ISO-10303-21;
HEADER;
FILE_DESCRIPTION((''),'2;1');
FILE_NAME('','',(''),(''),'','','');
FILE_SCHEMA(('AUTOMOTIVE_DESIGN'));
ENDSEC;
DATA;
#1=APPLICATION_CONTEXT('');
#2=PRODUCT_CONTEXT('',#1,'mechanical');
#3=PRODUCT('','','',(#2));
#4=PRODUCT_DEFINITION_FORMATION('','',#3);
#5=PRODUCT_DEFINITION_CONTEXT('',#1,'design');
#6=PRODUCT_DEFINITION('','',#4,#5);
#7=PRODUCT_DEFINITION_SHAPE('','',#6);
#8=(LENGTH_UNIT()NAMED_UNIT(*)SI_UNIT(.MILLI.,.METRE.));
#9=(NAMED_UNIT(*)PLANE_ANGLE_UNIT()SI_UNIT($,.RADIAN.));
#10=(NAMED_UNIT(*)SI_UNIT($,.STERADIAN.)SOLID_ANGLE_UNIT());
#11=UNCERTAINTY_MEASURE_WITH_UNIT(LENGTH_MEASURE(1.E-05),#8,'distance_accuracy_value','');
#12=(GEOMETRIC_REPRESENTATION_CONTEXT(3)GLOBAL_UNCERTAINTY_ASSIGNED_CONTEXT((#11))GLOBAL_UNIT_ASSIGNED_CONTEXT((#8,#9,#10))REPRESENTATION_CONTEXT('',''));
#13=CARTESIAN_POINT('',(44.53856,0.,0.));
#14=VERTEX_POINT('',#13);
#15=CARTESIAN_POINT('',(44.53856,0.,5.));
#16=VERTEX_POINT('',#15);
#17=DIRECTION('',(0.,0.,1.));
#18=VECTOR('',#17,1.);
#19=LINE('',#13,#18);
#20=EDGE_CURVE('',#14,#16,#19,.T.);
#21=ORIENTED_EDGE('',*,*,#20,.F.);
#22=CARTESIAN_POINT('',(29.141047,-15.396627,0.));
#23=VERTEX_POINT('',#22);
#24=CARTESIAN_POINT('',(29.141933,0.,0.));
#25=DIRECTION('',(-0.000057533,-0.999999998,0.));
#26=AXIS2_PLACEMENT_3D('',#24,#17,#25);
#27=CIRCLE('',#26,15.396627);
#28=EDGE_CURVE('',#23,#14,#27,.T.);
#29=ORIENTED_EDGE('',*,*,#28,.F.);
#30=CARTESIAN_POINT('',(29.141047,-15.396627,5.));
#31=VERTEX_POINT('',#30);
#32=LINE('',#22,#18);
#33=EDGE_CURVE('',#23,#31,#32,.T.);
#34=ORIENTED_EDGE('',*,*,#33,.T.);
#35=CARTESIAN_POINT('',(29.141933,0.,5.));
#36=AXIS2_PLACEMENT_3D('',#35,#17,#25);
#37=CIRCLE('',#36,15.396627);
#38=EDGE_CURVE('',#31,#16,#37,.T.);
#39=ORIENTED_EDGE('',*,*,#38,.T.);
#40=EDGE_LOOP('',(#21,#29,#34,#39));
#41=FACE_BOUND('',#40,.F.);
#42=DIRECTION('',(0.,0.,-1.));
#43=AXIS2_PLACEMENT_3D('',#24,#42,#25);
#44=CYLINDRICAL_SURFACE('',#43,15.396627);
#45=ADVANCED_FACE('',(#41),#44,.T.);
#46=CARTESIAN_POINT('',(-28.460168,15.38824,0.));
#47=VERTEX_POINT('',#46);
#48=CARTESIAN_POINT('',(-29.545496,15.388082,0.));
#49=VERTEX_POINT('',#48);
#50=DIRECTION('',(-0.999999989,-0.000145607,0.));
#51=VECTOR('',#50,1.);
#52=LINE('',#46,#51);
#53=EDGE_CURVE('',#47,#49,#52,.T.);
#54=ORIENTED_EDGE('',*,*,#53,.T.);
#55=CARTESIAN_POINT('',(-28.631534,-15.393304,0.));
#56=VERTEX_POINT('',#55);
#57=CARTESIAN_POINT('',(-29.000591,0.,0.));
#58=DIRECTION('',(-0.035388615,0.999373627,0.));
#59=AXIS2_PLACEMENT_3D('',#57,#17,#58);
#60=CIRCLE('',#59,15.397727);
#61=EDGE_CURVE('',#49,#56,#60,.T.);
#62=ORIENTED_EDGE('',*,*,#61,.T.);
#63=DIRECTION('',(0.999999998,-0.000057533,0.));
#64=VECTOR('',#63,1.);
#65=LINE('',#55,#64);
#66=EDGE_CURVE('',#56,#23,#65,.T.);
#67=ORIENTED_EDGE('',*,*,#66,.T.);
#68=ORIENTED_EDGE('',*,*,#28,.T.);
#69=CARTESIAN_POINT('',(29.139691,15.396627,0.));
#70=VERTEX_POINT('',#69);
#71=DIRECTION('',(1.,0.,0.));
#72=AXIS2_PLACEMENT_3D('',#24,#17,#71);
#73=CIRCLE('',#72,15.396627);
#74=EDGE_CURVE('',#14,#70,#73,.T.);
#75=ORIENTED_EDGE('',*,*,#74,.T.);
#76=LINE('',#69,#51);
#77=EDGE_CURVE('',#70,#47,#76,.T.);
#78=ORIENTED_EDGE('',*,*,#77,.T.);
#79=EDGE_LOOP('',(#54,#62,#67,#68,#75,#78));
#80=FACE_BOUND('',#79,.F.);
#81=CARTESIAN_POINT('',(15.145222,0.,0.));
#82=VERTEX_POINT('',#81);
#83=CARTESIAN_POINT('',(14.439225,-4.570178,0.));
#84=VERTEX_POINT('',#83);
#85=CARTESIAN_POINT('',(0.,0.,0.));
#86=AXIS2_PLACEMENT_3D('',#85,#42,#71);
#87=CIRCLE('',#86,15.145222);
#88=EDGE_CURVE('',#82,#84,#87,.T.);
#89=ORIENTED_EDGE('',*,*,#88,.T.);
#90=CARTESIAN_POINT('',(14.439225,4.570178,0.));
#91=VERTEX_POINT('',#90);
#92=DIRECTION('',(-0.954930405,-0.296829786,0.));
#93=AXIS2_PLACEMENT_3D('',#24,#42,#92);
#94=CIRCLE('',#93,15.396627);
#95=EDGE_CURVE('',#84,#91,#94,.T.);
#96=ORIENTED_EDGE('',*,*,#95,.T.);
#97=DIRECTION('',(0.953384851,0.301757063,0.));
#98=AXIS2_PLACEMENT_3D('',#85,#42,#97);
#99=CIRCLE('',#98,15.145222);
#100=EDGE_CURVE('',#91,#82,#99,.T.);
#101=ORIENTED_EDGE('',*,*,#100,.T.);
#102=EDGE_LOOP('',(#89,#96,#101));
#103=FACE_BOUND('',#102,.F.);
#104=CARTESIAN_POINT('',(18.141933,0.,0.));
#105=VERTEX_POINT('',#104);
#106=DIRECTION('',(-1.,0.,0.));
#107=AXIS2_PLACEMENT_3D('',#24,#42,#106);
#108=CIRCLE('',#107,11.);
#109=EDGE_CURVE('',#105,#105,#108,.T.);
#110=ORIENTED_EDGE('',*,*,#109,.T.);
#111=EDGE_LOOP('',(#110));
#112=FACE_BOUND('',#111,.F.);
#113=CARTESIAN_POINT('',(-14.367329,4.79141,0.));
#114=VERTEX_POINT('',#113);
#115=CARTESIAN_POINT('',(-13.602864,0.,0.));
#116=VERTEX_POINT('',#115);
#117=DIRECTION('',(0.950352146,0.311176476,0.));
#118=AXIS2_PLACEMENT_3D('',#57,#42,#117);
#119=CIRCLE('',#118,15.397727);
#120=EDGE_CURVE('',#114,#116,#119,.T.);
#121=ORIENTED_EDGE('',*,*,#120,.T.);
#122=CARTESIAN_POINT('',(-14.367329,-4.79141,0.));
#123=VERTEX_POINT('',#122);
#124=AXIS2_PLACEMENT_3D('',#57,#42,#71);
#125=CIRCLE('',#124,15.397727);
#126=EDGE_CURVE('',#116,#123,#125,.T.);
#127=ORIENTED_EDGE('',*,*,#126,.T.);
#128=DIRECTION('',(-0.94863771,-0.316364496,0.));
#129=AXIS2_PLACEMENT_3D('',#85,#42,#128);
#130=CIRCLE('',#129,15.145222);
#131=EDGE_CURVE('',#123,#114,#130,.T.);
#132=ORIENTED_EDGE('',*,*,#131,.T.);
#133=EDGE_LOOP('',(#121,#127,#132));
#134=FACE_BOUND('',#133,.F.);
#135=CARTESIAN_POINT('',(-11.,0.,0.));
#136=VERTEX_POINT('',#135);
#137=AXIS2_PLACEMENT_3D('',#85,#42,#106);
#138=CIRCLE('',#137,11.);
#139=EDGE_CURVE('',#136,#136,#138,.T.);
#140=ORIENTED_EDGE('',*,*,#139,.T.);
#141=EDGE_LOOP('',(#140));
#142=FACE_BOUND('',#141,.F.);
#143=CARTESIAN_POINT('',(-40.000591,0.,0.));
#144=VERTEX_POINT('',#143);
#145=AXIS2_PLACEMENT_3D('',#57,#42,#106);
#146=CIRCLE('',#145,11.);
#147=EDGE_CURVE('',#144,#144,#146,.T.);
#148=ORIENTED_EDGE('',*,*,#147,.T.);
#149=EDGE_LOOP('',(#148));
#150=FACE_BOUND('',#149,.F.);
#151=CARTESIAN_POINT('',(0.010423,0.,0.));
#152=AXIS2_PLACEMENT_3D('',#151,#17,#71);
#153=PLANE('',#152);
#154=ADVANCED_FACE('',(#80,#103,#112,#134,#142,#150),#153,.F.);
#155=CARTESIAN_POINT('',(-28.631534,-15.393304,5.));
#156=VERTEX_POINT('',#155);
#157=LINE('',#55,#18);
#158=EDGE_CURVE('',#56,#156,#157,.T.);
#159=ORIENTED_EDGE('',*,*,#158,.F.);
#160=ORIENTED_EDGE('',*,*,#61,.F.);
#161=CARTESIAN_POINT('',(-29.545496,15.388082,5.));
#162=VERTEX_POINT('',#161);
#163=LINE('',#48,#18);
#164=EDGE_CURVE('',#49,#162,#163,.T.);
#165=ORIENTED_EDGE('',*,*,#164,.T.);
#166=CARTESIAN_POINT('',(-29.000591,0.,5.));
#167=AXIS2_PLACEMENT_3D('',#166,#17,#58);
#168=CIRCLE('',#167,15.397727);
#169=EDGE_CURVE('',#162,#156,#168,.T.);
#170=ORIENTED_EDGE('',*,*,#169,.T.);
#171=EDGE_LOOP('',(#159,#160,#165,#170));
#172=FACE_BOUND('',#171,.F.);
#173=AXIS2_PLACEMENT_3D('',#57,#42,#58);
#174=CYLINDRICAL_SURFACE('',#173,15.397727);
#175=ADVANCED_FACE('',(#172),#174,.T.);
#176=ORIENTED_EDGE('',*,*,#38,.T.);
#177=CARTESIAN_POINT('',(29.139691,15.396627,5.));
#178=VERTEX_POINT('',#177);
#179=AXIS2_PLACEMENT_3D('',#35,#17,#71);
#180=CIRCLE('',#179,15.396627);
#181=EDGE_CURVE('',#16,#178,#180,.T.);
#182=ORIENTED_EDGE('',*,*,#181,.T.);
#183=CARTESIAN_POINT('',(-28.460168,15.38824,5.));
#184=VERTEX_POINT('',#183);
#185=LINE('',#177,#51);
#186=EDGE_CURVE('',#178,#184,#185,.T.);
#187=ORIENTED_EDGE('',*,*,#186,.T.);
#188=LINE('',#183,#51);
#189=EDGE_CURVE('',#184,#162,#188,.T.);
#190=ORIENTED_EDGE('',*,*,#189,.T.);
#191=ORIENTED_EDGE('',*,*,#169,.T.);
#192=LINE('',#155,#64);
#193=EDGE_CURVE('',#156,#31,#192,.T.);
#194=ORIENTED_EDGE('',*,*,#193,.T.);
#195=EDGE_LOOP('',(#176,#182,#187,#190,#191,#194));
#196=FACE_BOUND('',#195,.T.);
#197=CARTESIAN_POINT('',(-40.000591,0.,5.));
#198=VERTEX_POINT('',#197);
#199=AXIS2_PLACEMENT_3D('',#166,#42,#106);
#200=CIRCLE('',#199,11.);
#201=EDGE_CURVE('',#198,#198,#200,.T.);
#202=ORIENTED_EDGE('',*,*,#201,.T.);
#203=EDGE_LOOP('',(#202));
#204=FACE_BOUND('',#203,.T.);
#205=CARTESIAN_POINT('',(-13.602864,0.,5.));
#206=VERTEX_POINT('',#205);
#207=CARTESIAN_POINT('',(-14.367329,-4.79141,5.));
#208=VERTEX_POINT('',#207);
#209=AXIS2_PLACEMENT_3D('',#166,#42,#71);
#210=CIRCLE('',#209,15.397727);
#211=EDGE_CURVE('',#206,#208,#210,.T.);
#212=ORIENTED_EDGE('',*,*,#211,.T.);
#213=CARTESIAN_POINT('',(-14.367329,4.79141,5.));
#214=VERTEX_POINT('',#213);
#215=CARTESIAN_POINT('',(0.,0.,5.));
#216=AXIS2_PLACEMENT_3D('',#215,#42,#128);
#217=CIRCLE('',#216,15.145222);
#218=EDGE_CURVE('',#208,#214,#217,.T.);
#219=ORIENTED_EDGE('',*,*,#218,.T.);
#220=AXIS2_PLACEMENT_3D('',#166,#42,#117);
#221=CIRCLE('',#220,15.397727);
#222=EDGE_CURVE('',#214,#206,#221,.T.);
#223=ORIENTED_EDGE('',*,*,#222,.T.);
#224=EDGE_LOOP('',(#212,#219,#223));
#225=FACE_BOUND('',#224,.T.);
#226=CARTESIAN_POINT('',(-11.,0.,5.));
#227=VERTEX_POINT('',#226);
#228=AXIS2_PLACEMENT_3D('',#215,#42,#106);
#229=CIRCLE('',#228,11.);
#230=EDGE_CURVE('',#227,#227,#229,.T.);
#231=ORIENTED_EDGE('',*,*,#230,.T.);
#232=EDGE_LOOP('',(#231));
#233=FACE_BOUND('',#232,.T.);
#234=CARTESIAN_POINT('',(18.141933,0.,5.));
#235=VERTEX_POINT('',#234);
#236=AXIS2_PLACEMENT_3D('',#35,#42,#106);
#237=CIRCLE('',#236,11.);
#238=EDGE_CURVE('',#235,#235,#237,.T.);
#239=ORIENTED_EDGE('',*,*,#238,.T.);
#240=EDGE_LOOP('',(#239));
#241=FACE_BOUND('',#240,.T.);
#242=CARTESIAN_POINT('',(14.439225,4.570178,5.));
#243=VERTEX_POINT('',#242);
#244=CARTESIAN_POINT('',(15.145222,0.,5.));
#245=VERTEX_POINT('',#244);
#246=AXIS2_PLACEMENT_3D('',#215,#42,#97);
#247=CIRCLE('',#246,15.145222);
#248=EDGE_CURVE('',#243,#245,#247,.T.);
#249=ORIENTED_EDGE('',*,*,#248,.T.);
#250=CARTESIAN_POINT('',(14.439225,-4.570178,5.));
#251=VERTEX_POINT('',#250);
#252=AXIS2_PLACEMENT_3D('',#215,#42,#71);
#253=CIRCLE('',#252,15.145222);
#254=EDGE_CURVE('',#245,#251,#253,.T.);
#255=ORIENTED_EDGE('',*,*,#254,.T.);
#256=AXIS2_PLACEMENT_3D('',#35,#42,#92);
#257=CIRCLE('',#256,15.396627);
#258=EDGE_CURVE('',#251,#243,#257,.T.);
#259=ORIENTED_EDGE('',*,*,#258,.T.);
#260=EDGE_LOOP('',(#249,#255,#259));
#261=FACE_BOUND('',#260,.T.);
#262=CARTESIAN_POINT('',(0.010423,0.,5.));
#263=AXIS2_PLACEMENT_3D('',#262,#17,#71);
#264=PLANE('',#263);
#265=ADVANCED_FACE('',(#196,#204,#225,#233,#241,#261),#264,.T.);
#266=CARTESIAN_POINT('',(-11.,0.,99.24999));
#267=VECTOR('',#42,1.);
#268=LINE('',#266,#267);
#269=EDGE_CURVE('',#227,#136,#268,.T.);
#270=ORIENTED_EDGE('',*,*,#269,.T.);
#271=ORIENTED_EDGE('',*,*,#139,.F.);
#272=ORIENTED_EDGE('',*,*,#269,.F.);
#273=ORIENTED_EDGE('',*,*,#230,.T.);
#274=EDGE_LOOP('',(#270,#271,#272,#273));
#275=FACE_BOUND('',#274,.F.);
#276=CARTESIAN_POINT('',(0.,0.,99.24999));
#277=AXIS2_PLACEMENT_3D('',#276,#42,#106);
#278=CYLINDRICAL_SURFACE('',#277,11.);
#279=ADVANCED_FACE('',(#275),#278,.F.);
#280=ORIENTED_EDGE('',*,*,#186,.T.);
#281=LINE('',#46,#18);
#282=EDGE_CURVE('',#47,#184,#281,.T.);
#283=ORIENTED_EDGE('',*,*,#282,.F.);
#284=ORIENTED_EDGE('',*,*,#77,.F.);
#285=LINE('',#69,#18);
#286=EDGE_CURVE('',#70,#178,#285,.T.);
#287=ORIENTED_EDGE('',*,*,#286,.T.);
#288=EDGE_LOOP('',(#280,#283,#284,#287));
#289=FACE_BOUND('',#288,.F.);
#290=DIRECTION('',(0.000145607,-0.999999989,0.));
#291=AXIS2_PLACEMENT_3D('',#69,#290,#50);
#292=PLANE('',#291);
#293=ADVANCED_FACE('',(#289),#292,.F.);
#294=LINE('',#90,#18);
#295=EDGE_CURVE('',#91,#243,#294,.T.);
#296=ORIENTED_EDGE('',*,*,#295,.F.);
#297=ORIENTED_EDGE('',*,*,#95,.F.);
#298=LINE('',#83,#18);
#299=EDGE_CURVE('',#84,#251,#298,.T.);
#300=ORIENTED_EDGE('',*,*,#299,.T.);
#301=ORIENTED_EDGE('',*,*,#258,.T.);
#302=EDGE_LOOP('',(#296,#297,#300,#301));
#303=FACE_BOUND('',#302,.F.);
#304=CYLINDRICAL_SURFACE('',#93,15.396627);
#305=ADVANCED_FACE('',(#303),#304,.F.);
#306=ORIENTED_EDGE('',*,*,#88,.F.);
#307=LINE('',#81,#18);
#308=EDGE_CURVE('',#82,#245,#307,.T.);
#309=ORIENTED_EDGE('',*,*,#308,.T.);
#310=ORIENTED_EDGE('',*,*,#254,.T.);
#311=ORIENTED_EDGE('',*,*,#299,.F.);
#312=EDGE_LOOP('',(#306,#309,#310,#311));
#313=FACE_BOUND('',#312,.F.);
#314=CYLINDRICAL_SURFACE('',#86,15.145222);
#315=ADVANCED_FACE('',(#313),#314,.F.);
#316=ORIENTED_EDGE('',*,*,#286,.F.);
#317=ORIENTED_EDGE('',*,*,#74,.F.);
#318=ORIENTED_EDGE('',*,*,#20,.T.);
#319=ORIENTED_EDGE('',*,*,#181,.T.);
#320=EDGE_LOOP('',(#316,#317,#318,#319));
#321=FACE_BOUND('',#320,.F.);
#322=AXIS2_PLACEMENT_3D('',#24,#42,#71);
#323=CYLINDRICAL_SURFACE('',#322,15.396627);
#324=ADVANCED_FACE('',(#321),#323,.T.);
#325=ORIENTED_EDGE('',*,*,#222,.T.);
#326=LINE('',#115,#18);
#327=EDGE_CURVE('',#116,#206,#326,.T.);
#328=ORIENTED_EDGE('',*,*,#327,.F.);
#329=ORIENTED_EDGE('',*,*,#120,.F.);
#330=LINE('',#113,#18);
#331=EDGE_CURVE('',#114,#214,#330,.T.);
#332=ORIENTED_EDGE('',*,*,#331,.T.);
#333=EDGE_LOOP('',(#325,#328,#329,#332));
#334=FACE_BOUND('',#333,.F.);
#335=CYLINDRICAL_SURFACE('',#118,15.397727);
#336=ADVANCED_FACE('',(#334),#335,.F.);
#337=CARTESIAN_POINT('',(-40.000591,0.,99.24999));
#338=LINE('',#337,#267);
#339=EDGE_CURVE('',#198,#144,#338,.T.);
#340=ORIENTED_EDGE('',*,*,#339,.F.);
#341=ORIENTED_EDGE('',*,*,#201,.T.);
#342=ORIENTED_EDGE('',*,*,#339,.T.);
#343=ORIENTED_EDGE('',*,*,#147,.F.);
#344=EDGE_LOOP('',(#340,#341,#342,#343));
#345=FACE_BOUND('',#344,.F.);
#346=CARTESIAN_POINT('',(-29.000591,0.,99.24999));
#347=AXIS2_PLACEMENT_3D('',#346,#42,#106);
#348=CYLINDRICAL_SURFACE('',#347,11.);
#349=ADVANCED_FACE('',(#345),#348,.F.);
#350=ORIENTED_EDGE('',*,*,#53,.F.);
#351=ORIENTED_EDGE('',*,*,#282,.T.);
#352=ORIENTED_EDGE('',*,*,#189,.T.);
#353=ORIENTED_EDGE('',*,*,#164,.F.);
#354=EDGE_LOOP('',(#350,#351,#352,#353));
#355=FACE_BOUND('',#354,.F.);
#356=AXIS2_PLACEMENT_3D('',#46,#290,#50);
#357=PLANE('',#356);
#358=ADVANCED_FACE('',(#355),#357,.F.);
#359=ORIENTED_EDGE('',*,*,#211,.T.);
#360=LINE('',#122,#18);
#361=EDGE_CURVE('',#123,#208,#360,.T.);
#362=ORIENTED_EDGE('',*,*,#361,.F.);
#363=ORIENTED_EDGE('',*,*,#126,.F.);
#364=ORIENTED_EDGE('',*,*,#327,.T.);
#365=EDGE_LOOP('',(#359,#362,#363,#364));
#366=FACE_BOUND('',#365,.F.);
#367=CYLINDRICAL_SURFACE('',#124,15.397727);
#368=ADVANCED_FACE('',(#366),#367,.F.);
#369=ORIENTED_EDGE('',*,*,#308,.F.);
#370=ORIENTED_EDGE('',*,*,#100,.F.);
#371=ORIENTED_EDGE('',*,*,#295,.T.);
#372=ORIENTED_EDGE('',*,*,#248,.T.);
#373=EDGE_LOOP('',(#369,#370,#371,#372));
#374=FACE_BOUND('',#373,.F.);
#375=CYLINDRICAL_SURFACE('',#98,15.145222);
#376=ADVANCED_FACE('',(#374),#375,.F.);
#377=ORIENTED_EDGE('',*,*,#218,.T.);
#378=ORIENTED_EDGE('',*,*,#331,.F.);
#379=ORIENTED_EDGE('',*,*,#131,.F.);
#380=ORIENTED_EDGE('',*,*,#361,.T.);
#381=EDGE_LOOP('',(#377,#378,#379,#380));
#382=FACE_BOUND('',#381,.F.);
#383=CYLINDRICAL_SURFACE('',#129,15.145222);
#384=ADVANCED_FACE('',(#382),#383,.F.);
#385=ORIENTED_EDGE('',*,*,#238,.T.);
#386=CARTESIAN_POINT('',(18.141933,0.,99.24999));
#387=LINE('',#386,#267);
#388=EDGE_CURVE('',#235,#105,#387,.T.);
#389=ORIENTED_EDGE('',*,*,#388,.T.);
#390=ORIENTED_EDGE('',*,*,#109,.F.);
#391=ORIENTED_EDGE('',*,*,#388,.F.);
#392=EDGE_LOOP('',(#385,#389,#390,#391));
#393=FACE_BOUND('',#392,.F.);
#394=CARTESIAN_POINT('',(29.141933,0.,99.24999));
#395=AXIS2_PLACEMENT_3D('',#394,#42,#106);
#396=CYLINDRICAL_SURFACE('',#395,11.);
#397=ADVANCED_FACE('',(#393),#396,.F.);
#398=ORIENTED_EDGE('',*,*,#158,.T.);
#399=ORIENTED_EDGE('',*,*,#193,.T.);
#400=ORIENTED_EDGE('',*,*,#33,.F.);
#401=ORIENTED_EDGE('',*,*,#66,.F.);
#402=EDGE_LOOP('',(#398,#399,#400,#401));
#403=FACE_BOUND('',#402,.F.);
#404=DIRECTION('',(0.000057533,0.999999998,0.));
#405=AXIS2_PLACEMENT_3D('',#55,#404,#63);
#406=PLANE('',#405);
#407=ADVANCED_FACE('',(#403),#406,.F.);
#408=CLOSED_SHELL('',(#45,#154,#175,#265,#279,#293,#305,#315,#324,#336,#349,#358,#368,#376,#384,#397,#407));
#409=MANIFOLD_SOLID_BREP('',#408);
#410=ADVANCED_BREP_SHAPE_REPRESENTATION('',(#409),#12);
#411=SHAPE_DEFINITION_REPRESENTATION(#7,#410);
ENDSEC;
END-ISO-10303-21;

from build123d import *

# Parameters (mm, degrees)
F1_DEPTH = 5
F3_D     = 22
F5_D     = 22
F7_D     = 22


with BuildPart() as f1:
    # F0 (on Top) → F1 (new body)
    with BuildSketch(Plane.XY):
        with BuildLine():
            ThreePointArc((14.439225008, -4.5701776484), (13.7453052389, 0), (14.439225008, 4.5701776484))
            ThreePointArc((14.4392250081, 4.5701776484), (0.116311071, 15.1447751487), (-14.3673285073, 4.7914104535))
            ThreePointArc((-14.3673285073, 4.7914104535), (-13.7951814402, 2.4260059517), (-13.602864396, 0))
            ThreePointArc((-13.602864396, 0), (-13.7951814402, -2.4260059517), (-14.3673285073, -4.7914104535))
            ThreePointArc((-14.3673285073, -4.7914104535), (0.116311071, -15.1447751487), (14.4392250081, -4.5701776484))
        make_face()
        with BuildLine():
            ThreePointArc((-14.3673285073, -4.7914104535), (-15.1452217736, 0), (-14.3673285073, 4.7914104535))
            ThreePointArc((-14.3673285073, 4.7914104535), (-19.7467605123, 12.306770976), (-28.4601684953, 15.3882403981))
            Line((-28.4601684953, 15.3882403981), (-29.545495717, 15.3880823672))
            ThreePointArc((-29.545495717, 15.3880823672), (-44.3915356245, -0.4569880798), (-28.6315344711, -15.3933036246))
            ThreePointArc((-28.6315344711, -15.3933036246), (-19.8154166919, -12.3580970844), (-14.3673285073, -4.7914104535))
        make_face()
        with BuildLine():
            ThreePointArc((29.1410469099, -15.3966274615), (20.0122054796, -12.3977505372), (14.439225008, -4.5701776484))
            ThreePointArc((14.4392250081, -4.5701776484), (0.116311071, -15.1447751487), (-14.3673285073, -4.7914104535))
            ThreePointArc((-14.3673285073, -4.7914104535), (-19.8154166919, -12.3580970844), (-28.6315344711, -15.3933036246))
            Line((-28.6315344711, -15.3933036246), (29.1410469099, -15.3966274615))
        make_face()
        with BuildLine():
            ThreePointArc((-14.3673285073, 4.7914104535), (0.116311071, 15.1447751487), (14.4392250081, 4.5701776484))
            ThreePointArc((14.439225008, 4.5701776484), (20.0116595313, 12.3973484813), (29.1396908737, 15.3966273238))
            Line((29.1396908737, 15.3966273238), (-28.4601684953, 15.3882403981))
            ThreePointArc((-28.4601684953, 15.3882403981), (-19.7467605123, 12.306770976), (-14.3673285073, 4.7914104535))
        make_face()
        with BuildLine():
            ThreePointArc((14.4392250081, 4.5701776484), (14.9676819774, 2.3121935024), (15.1452217736, 0))
            ThreePointArc((15.1452217736, 0), (14.9676819774, -2.3121935024), (14.4392250081, -4.5701776484))
            ThreePointArc((14.439225008, -4.5701776484), (20.0122054796, -12.3977505372), (29.1410469099, -15.3966274615))
            ThreePointArc((29.1410469099, -15.3966274615), (40.0286792416, -10.8873728822), (44.5385602129, 0))
            ThreePointArc((44.5385602129, 0), (40.0281997861, 10.8878522891), (29.1396908737, 15.3966273238))
            ThreePointArc((29.1396908737, 15.3966273238), (20.0116595313, 12.3973484813), (14.439225008, 4.5701776484))
        make_face()
    extrude(amount=F1_DEPTH)

    # F3 (through all)
    with Locations(Plane.XY.offset(5)):
        with Locations((-29.0005914867, 0)):
            Hole(F3_D / 2)

    # F5 (through all)
    with Locations(Plane.XY.offset(5)):
        with Locations((0, 0)):
            Hole(F5_D / 2)

    # F7 (through all)
    with Locations(Plane.XY.offset(5)):
        with Locations((29.1419327259, 0)):
            Hole(F7_D / 2)


solid = f1.part
